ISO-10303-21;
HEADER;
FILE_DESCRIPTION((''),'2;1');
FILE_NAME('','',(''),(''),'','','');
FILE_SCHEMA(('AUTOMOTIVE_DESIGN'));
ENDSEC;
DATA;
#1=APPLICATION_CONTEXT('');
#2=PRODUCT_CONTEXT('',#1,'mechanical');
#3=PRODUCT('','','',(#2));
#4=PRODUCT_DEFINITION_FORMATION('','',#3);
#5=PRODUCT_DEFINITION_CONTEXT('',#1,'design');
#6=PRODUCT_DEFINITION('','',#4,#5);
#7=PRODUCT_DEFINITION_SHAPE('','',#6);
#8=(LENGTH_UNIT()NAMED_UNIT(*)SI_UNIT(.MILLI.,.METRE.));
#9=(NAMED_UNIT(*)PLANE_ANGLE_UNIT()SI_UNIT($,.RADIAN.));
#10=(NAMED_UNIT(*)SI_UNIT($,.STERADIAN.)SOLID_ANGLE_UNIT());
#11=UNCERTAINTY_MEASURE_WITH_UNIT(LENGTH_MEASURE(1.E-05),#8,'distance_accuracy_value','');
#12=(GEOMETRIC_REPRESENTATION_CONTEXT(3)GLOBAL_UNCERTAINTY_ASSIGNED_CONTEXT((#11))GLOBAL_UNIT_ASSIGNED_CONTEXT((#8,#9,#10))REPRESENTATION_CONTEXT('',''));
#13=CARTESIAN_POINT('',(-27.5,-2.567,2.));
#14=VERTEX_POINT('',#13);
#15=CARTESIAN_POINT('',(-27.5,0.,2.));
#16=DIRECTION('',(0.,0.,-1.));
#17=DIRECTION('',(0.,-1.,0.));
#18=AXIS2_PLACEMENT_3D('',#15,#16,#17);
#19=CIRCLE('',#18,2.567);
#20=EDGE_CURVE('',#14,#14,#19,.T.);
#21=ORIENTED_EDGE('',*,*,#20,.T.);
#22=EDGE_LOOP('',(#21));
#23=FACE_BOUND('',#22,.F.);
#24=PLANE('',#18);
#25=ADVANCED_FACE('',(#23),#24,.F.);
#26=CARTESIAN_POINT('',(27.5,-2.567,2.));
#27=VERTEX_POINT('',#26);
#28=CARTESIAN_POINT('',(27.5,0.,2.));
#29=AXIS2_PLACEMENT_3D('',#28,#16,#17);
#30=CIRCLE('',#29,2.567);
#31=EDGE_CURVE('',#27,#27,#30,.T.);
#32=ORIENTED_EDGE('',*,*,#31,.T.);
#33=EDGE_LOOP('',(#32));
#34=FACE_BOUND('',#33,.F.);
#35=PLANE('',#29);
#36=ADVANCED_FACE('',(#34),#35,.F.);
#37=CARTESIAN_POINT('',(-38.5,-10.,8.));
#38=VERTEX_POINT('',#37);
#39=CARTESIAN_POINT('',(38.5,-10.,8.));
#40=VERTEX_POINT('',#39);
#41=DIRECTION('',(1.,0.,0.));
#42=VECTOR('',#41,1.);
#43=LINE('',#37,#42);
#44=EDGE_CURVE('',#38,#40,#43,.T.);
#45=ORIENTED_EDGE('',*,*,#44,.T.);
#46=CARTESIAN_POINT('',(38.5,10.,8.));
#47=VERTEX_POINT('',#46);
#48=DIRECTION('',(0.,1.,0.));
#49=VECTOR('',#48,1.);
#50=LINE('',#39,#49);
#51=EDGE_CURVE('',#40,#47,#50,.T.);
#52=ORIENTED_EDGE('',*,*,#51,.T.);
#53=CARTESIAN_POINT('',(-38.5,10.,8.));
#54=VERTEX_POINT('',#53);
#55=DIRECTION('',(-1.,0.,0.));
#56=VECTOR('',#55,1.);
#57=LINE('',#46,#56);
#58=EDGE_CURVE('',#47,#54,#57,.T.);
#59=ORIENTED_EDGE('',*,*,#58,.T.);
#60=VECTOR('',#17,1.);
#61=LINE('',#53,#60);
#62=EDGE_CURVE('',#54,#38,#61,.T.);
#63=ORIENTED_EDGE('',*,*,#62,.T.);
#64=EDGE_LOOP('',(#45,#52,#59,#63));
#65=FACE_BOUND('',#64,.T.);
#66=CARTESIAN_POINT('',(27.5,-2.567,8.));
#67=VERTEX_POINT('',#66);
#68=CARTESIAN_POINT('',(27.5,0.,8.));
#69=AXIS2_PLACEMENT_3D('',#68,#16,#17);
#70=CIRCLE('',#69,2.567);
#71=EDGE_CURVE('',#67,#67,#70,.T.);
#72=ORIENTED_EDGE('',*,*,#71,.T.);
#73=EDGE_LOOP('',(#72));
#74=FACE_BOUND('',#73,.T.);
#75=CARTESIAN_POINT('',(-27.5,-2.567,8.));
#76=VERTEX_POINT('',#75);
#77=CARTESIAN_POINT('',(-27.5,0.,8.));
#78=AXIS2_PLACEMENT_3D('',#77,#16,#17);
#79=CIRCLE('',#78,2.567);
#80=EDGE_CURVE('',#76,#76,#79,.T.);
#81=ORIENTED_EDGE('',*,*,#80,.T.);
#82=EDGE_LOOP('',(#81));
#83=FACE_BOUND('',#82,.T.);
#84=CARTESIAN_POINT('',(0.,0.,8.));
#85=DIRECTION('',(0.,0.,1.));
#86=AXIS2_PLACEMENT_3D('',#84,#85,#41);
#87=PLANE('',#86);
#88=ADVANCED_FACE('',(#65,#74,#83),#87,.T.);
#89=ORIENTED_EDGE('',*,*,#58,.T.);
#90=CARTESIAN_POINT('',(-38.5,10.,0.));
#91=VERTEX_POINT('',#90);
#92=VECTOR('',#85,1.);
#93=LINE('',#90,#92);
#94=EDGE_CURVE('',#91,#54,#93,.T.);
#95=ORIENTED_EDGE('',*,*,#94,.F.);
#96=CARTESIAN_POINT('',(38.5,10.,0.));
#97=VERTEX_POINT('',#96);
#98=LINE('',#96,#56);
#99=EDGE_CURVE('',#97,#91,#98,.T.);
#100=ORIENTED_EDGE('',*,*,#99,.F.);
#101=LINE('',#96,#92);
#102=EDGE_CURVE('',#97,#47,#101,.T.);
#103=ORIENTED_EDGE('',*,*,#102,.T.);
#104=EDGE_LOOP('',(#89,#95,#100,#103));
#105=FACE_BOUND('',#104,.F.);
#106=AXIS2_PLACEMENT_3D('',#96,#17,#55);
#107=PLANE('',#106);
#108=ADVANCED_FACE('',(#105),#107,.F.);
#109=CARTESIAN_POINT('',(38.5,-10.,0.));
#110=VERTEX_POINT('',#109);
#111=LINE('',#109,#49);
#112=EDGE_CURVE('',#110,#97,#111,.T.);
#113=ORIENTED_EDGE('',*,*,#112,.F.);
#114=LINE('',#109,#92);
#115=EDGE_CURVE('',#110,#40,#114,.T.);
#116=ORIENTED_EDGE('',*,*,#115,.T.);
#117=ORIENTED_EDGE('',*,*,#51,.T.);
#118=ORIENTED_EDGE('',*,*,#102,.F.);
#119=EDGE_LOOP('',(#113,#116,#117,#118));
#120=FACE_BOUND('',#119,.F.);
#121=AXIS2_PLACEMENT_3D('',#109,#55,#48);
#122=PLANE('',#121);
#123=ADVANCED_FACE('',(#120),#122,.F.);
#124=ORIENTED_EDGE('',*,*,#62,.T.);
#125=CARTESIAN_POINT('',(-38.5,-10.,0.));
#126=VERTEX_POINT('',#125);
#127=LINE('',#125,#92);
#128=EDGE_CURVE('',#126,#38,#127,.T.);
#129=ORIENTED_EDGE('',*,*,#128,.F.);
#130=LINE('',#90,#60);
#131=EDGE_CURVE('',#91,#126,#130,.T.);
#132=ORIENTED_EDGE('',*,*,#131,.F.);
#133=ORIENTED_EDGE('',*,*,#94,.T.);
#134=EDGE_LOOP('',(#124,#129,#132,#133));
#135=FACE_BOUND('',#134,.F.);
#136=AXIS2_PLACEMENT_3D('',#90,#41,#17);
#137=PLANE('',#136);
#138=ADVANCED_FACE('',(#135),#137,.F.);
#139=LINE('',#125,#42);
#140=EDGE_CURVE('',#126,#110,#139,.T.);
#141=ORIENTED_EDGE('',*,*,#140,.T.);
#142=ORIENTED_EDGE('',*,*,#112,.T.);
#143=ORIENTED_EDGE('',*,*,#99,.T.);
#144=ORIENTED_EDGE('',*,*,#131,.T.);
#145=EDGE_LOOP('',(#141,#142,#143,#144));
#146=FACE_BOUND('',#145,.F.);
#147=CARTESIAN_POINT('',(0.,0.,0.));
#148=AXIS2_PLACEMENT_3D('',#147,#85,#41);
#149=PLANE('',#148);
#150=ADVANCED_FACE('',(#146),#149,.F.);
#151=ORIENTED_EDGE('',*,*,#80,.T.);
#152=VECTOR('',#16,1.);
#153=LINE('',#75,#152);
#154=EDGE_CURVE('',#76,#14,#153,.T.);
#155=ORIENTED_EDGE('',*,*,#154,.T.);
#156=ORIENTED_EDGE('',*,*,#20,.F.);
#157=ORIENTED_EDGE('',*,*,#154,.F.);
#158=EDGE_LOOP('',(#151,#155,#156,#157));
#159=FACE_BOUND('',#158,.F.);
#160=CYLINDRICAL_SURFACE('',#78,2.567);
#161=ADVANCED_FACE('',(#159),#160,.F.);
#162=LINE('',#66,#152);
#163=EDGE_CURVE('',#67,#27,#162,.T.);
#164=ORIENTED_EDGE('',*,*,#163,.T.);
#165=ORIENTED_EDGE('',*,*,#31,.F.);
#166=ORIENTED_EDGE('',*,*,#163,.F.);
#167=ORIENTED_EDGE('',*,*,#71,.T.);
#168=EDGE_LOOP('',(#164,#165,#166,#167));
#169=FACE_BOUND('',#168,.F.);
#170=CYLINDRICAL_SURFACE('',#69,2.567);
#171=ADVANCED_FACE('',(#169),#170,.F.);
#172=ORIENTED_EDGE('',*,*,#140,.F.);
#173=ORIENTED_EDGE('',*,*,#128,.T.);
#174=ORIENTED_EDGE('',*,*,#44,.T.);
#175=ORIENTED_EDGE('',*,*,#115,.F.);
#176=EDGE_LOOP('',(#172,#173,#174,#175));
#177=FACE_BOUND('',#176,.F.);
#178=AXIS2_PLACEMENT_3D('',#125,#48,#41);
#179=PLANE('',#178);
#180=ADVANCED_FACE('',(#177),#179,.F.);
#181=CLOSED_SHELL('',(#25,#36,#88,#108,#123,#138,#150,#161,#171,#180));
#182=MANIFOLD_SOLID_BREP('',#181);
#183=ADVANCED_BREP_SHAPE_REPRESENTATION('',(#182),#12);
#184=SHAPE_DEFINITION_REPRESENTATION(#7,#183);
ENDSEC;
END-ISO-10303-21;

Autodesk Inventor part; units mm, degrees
ref_plane "YZ Plane" through (0, 0, 0) normal (1, 0, 0) x (0, 1, 0)
ref_plane "XZ Plane" through (0, 0, 0) normal (0, 1, 0) x (-1, 0, 0)
ref_plane "XY Plane" through (0, 0, 0) normal (0, 0, 1) x (1, 0, 0)
sketch "Sketch1" plane through (0, 0, 0) normal (0, 0, 1) x (1, 0, 0)
  line L0 (-38.5, -10) -> (38.5, -10)
  line L1 (38.5, -10) -> (38.5, 10)
  line L2 (38.5, 10) -> (-38.5, 10)
  line L3 (-38.5, 10) -> (-38.5, -10)
  line L4 (-38.5, -10) -> (38.5, 10) construction
  line L5 (38.5, -10) -> (-38.5, 10) construction
  point P0 (0, 0)
  dimension "d0" = 77
  dimension "d1" = 20
extrude "Extrusion1" add sketch "Sketch1" along normal blind 8
sketch "Sketch2" plane through (0, 0, 8) normal (0, 0, 1) x (1, 0, 0)
  line L0 (-38.5, -10) -> (38.5, -10) projected
  line L1 (38.5, -10) -> (38.5, 10) projected
  line L2 (-38.5, 10) -> (-38.5, -10) projected
  point P0 (0, 0)
  point P1 (-27.5, 0)
  point P2 (27.5, 0)
  point P3 (-38.5, 0)
  dimension "d4" = 10
  dimension "d5" = 10
  dimension "d6" = 11
  dimension "d14" = 11
hole "Hole1" at (-27.5, 0, 8) at (27.5, 0, 8) direction (0, 0, -1) diameter 5.134 depth 6 thread size "M6x0.8" class "6H" standard "ISO Metric profile"
properties part number "Spann backe" material "Steel, Mild"
